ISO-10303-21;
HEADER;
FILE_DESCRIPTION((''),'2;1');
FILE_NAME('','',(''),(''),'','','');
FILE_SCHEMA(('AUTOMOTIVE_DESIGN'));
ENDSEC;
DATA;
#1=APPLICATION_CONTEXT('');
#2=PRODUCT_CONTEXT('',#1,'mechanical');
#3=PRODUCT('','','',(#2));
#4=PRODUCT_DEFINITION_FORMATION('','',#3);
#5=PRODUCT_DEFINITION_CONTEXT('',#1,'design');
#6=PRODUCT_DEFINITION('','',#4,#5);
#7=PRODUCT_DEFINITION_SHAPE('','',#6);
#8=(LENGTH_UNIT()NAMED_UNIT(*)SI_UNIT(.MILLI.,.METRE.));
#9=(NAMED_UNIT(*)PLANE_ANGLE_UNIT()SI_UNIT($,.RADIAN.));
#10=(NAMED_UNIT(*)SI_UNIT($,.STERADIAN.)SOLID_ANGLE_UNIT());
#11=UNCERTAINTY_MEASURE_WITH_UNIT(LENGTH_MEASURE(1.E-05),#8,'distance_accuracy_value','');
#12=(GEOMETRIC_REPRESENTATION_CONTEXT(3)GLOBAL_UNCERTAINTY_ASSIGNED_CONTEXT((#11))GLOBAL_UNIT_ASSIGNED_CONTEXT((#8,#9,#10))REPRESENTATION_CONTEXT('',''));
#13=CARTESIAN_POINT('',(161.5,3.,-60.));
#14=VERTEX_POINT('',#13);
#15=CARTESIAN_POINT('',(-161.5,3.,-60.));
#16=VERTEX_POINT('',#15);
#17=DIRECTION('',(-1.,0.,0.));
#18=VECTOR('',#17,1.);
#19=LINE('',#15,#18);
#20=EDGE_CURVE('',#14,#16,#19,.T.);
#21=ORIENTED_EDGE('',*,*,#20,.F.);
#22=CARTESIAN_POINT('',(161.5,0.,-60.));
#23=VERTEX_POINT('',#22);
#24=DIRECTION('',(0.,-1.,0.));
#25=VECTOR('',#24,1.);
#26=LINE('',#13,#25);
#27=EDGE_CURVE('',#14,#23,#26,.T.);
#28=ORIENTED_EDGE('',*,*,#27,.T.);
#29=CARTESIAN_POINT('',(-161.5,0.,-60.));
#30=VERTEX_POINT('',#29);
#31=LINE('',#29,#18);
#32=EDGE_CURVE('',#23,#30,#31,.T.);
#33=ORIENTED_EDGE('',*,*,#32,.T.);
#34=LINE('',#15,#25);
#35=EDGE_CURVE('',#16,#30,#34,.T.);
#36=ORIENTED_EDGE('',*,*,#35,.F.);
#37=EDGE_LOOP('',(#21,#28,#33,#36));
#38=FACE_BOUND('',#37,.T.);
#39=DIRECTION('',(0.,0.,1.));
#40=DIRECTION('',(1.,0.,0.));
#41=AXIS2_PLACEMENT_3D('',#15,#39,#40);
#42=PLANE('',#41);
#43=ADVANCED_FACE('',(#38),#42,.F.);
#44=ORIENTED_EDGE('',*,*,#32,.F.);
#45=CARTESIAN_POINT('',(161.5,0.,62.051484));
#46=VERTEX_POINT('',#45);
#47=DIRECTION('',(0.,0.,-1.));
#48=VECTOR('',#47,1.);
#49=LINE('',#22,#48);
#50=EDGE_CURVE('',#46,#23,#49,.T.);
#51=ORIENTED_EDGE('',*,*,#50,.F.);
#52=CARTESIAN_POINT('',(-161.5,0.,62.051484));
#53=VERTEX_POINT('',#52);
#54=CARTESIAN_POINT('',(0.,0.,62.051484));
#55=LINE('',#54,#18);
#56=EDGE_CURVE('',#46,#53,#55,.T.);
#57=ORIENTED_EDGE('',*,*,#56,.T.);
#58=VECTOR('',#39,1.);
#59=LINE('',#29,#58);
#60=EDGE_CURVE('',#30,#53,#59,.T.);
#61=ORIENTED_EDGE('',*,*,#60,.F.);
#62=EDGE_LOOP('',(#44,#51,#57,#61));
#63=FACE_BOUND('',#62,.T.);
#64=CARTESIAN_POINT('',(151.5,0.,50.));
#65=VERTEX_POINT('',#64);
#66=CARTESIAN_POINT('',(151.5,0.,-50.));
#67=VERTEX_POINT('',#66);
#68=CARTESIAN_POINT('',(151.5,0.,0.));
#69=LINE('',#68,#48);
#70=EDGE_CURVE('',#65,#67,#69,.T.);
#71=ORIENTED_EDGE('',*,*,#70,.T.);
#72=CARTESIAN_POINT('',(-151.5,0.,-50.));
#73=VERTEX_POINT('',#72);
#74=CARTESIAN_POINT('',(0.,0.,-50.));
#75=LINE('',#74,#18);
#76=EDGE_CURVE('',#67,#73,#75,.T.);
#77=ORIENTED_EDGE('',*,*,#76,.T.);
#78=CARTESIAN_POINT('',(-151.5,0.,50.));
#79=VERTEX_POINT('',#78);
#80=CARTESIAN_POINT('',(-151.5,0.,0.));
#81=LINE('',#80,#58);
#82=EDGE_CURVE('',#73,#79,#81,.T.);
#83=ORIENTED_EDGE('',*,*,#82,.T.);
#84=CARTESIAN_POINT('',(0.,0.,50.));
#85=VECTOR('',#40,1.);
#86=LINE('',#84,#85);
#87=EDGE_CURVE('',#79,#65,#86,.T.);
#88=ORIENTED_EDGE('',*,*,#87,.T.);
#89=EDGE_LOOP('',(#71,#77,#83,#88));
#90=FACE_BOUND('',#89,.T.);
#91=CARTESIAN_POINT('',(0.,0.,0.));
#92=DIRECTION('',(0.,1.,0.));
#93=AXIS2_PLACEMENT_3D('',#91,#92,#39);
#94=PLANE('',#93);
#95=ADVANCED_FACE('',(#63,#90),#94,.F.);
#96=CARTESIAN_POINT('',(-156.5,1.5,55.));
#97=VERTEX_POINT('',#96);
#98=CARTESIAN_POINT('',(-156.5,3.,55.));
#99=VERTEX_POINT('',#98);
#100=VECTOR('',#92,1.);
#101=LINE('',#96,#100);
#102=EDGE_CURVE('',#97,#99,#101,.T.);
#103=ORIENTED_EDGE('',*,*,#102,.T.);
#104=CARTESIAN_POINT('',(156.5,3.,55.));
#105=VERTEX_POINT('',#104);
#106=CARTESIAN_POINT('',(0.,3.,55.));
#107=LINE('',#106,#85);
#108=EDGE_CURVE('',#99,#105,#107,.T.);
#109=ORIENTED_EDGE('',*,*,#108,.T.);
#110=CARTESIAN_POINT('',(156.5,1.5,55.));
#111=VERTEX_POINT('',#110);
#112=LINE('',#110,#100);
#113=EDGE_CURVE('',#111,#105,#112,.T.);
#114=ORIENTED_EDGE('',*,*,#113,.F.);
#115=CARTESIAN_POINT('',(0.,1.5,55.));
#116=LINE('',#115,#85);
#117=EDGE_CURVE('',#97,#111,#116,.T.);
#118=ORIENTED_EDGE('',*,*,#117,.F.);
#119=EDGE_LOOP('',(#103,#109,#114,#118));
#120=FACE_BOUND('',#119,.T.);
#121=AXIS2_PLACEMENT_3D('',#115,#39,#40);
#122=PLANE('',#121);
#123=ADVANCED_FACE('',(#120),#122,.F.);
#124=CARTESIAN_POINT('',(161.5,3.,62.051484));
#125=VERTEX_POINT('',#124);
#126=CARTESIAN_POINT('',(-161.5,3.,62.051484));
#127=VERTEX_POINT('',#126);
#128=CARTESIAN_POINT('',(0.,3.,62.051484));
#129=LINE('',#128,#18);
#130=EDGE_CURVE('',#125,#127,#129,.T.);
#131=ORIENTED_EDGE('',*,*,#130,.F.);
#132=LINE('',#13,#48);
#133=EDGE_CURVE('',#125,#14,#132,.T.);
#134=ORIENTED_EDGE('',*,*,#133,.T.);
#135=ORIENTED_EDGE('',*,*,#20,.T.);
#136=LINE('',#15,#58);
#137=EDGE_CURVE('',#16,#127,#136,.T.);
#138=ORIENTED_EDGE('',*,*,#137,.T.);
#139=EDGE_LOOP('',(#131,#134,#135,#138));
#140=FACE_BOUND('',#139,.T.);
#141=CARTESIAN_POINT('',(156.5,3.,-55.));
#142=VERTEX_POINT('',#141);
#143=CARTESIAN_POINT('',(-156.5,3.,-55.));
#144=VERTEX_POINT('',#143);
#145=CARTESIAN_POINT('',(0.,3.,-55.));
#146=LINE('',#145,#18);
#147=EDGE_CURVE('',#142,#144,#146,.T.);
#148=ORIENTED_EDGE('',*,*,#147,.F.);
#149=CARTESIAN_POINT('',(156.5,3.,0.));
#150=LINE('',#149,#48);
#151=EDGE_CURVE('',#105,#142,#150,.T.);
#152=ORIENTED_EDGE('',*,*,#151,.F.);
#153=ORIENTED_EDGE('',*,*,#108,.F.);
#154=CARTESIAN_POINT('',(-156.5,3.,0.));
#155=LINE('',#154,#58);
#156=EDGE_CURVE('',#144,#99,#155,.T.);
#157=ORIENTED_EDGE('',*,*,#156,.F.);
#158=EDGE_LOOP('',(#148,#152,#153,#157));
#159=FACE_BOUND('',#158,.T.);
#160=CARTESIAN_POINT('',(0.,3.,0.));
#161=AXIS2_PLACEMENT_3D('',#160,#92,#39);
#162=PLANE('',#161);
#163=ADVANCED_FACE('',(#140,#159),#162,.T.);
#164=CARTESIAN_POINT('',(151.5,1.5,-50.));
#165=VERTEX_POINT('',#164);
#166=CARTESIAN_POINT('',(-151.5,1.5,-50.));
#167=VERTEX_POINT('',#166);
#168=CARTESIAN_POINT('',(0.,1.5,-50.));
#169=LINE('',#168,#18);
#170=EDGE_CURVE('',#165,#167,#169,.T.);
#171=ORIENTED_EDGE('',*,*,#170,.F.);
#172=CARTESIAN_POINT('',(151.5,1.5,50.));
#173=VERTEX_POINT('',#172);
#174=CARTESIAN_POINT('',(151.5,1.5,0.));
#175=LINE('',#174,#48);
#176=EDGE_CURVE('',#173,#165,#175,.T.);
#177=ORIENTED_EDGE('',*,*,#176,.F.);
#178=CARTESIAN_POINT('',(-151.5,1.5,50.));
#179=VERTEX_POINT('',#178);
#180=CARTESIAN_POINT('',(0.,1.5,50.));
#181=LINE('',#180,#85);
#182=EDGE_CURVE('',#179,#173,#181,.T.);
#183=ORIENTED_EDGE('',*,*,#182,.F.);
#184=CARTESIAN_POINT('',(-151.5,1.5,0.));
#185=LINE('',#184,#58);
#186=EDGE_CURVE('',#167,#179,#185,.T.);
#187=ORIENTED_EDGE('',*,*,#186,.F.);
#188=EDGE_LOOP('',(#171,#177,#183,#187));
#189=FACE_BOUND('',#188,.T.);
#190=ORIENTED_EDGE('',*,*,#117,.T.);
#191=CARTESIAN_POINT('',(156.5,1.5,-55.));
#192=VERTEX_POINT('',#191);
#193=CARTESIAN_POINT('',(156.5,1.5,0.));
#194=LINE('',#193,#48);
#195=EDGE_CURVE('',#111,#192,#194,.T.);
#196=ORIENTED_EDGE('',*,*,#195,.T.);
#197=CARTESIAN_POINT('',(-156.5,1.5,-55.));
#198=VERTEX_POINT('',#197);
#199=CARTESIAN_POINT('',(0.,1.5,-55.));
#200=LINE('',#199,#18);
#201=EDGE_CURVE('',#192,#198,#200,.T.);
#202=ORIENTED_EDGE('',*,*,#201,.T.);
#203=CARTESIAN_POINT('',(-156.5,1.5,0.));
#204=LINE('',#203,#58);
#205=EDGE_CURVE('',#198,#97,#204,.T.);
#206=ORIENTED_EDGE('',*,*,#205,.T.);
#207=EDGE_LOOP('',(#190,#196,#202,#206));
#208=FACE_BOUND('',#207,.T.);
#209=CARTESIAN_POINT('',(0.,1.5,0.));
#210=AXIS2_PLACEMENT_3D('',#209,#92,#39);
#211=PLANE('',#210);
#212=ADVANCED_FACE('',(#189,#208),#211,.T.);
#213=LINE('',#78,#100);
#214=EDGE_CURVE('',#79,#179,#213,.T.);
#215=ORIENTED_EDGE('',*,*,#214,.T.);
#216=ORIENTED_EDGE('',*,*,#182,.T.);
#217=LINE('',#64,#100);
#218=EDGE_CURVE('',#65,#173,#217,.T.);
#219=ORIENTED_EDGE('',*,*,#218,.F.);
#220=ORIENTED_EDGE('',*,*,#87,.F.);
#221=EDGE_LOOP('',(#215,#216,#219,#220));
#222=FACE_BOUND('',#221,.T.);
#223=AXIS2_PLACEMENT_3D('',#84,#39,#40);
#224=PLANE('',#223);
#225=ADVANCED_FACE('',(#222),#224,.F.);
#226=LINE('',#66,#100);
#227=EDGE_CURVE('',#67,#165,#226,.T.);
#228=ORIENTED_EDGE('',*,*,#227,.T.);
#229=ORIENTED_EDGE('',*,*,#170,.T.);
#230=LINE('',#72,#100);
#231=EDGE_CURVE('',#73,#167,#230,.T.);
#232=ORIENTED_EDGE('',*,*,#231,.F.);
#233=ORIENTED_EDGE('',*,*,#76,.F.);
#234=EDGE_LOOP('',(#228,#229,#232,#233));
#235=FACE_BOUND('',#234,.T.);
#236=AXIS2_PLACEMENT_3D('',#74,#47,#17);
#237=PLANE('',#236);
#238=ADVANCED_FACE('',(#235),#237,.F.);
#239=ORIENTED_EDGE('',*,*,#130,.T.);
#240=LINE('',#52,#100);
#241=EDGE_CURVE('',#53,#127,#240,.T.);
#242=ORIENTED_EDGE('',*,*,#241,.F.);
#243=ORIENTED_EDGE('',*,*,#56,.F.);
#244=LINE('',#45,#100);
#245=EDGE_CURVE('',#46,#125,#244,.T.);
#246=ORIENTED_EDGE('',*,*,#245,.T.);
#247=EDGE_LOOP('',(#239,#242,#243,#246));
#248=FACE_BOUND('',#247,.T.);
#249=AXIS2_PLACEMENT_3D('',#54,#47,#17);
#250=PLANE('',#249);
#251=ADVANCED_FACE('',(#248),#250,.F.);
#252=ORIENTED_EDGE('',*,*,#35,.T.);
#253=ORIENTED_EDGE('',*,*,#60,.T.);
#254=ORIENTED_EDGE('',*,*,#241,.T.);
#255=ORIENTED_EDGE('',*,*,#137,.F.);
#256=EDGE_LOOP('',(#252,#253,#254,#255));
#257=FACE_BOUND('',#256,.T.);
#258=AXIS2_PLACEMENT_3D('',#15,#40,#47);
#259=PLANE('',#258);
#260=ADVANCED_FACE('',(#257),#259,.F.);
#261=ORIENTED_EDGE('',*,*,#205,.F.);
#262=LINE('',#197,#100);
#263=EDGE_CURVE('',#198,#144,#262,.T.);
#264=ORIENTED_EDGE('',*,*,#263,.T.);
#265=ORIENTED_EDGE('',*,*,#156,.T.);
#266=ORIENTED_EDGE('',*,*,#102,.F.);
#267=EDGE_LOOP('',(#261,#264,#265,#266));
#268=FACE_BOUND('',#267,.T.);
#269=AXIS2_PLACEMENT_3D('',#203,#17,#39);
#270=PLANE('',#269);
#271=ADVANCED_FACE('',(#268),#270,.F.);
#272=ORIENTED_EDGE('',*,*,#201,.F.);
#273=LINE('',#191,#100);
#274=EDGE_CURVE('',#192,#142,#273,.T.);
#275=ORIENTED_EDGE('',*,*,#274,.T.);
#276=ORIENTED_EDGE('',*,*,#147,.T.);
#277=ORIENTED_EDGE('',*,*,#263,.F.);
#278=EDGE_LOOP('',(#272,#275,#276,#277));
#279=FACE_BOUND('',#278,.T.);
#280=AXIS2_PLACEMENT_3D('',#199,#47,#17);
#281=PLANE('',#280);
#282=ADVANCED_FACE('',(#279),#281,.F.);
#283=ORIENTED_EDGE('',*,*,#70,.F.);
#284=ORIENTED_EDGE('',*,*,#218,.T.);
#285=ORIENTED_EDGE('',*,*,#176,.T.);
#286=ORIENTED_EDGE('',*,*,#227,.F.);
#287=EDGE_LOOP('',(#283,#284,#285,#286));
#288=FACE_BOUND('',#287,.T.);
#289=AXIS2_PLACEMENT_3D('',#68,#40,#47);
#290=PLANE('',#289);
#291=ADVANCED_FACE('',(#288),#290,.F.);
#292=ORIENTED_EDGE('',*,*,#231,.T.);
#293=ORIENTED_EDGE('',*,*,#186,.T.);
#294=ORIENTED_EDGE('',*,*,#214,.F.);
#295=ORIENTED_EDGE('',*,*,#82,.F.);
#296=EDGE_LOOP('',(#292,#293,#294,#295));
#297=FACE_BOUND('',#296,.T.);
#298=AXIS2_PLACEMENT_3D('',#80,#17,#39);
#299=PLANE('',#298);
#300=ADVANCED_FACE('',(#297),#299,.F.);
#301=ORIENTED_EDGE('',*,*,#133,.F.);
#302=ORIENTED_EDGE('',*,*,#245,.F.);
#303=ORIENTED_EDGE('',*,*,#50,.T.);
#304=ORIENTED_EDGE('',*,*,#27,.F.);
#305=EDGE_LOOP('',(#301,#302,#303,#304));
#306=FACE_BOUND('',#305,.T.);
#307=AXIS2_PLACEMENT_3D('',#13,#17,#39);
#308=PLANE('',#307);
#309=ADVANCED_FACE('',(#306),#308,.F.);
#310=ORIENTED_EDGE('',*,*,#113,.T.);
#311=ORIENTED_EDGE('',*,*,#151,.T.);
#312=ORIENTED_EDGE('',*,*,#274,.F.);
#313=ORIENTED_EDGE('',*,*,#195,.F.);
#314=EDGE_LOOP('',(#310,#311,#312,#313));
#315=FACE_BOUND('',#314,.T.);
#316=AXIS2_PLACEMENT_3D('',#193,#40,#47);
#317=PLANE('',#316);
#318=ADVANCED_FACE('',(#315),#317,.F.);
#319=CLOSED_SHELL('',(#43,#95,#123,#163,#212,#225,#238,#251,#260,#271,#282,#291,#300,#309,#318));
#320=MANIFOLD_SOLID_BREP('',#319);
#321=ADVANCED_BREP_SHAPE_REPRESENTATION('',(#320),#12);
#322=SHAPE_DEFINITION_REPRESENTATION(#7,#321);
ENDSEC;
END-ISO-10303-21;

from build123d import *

# Parameters (mm, degrees)
SKETCH1_W               = 323
SKETCH1_H               = 120
BOSS_EXTRUDE1_DEPTH     = 3
SKETCH2_W               = 313
SKETCH2_H               = 110
SKETCH2_W_2             = 303
SKETCH2_H_2             = 100
CUT_EXTRUDE2_DEPTH      = 1.5
SKETCH2_4_W             = 303
SKETCH2_4_H             = 100
CUT_EXTRUDE3_DEPTH      = 1
CUT_EXTRUDE3_DEPTH_BACK = 4
SKETCH3_W               = 323
SKETCH3_H               = 2.051483501
BOSS_EXTRUDE2_DEPTH     = 3


with BuildPart() as part:
    # Sketch1 → Boss-Extrude1 (new body)
    with BuildSketch(Plane(origin=(0, 0, 0), x_dir=(1, 0, 0), z_dir=(0, 1, 0))):
        Rectangle(SKETCH1_W, SKETCH1_H)
    extrude(amount=BOSS_EXTRUDE1_DEPTH)

    # Sketch2 → Cut-Extrude2 (cut)
    with BuildSketch(Plane(origin=(0, 3, 0), x_dir=(1, 0, 0), z_dir=(0, 1, 0))):
        Rectangle(SKETCH2_W, SKETCH2_H)
        Rectangle(SKETCH2_W_2, SKETCH2_H_2, mode=Mode.SUBTRACT)
    extrude(amount=-CUT_EXTRUDE2_DEPTH, mode=Mode.SUBTRACT)

    # Sketch2_4 → Cut-Extrude3 (cut, two sides)
    with BuildSketch(Plane(origin=(0, 3, 0), x_dir=(1, 0, 0), z_dir=(0, 1, 0))) as cut_extrude3_sk:
        Rectangle(SKETCH2_4_W, SKETCH2_4_H)
    extrude(amount=CUT_EXTRUDE3_DEPTH, mode=Mode.SUBTRACT)
    extrude(cut_extrude3_sk.sketch, amount=-CUT_EXTRUDE3_DEPTH_BACK, mode=Mode.SUBTRACT)

    # Sketch3 → Boss-Extrude2 (add)
    with BuildSketch(Plane(origin=(0, 3, 0), x_dir=(1, 0, 0), z_dir=(0, 1, 0))):
        with Locations((0, -61.025741751)):
            Rectangle(SKETCH3_W, SKETCH3_H)
    extrude(amount=-BOSS_EXTRUDE2_DEPTH)


solid = part.part
